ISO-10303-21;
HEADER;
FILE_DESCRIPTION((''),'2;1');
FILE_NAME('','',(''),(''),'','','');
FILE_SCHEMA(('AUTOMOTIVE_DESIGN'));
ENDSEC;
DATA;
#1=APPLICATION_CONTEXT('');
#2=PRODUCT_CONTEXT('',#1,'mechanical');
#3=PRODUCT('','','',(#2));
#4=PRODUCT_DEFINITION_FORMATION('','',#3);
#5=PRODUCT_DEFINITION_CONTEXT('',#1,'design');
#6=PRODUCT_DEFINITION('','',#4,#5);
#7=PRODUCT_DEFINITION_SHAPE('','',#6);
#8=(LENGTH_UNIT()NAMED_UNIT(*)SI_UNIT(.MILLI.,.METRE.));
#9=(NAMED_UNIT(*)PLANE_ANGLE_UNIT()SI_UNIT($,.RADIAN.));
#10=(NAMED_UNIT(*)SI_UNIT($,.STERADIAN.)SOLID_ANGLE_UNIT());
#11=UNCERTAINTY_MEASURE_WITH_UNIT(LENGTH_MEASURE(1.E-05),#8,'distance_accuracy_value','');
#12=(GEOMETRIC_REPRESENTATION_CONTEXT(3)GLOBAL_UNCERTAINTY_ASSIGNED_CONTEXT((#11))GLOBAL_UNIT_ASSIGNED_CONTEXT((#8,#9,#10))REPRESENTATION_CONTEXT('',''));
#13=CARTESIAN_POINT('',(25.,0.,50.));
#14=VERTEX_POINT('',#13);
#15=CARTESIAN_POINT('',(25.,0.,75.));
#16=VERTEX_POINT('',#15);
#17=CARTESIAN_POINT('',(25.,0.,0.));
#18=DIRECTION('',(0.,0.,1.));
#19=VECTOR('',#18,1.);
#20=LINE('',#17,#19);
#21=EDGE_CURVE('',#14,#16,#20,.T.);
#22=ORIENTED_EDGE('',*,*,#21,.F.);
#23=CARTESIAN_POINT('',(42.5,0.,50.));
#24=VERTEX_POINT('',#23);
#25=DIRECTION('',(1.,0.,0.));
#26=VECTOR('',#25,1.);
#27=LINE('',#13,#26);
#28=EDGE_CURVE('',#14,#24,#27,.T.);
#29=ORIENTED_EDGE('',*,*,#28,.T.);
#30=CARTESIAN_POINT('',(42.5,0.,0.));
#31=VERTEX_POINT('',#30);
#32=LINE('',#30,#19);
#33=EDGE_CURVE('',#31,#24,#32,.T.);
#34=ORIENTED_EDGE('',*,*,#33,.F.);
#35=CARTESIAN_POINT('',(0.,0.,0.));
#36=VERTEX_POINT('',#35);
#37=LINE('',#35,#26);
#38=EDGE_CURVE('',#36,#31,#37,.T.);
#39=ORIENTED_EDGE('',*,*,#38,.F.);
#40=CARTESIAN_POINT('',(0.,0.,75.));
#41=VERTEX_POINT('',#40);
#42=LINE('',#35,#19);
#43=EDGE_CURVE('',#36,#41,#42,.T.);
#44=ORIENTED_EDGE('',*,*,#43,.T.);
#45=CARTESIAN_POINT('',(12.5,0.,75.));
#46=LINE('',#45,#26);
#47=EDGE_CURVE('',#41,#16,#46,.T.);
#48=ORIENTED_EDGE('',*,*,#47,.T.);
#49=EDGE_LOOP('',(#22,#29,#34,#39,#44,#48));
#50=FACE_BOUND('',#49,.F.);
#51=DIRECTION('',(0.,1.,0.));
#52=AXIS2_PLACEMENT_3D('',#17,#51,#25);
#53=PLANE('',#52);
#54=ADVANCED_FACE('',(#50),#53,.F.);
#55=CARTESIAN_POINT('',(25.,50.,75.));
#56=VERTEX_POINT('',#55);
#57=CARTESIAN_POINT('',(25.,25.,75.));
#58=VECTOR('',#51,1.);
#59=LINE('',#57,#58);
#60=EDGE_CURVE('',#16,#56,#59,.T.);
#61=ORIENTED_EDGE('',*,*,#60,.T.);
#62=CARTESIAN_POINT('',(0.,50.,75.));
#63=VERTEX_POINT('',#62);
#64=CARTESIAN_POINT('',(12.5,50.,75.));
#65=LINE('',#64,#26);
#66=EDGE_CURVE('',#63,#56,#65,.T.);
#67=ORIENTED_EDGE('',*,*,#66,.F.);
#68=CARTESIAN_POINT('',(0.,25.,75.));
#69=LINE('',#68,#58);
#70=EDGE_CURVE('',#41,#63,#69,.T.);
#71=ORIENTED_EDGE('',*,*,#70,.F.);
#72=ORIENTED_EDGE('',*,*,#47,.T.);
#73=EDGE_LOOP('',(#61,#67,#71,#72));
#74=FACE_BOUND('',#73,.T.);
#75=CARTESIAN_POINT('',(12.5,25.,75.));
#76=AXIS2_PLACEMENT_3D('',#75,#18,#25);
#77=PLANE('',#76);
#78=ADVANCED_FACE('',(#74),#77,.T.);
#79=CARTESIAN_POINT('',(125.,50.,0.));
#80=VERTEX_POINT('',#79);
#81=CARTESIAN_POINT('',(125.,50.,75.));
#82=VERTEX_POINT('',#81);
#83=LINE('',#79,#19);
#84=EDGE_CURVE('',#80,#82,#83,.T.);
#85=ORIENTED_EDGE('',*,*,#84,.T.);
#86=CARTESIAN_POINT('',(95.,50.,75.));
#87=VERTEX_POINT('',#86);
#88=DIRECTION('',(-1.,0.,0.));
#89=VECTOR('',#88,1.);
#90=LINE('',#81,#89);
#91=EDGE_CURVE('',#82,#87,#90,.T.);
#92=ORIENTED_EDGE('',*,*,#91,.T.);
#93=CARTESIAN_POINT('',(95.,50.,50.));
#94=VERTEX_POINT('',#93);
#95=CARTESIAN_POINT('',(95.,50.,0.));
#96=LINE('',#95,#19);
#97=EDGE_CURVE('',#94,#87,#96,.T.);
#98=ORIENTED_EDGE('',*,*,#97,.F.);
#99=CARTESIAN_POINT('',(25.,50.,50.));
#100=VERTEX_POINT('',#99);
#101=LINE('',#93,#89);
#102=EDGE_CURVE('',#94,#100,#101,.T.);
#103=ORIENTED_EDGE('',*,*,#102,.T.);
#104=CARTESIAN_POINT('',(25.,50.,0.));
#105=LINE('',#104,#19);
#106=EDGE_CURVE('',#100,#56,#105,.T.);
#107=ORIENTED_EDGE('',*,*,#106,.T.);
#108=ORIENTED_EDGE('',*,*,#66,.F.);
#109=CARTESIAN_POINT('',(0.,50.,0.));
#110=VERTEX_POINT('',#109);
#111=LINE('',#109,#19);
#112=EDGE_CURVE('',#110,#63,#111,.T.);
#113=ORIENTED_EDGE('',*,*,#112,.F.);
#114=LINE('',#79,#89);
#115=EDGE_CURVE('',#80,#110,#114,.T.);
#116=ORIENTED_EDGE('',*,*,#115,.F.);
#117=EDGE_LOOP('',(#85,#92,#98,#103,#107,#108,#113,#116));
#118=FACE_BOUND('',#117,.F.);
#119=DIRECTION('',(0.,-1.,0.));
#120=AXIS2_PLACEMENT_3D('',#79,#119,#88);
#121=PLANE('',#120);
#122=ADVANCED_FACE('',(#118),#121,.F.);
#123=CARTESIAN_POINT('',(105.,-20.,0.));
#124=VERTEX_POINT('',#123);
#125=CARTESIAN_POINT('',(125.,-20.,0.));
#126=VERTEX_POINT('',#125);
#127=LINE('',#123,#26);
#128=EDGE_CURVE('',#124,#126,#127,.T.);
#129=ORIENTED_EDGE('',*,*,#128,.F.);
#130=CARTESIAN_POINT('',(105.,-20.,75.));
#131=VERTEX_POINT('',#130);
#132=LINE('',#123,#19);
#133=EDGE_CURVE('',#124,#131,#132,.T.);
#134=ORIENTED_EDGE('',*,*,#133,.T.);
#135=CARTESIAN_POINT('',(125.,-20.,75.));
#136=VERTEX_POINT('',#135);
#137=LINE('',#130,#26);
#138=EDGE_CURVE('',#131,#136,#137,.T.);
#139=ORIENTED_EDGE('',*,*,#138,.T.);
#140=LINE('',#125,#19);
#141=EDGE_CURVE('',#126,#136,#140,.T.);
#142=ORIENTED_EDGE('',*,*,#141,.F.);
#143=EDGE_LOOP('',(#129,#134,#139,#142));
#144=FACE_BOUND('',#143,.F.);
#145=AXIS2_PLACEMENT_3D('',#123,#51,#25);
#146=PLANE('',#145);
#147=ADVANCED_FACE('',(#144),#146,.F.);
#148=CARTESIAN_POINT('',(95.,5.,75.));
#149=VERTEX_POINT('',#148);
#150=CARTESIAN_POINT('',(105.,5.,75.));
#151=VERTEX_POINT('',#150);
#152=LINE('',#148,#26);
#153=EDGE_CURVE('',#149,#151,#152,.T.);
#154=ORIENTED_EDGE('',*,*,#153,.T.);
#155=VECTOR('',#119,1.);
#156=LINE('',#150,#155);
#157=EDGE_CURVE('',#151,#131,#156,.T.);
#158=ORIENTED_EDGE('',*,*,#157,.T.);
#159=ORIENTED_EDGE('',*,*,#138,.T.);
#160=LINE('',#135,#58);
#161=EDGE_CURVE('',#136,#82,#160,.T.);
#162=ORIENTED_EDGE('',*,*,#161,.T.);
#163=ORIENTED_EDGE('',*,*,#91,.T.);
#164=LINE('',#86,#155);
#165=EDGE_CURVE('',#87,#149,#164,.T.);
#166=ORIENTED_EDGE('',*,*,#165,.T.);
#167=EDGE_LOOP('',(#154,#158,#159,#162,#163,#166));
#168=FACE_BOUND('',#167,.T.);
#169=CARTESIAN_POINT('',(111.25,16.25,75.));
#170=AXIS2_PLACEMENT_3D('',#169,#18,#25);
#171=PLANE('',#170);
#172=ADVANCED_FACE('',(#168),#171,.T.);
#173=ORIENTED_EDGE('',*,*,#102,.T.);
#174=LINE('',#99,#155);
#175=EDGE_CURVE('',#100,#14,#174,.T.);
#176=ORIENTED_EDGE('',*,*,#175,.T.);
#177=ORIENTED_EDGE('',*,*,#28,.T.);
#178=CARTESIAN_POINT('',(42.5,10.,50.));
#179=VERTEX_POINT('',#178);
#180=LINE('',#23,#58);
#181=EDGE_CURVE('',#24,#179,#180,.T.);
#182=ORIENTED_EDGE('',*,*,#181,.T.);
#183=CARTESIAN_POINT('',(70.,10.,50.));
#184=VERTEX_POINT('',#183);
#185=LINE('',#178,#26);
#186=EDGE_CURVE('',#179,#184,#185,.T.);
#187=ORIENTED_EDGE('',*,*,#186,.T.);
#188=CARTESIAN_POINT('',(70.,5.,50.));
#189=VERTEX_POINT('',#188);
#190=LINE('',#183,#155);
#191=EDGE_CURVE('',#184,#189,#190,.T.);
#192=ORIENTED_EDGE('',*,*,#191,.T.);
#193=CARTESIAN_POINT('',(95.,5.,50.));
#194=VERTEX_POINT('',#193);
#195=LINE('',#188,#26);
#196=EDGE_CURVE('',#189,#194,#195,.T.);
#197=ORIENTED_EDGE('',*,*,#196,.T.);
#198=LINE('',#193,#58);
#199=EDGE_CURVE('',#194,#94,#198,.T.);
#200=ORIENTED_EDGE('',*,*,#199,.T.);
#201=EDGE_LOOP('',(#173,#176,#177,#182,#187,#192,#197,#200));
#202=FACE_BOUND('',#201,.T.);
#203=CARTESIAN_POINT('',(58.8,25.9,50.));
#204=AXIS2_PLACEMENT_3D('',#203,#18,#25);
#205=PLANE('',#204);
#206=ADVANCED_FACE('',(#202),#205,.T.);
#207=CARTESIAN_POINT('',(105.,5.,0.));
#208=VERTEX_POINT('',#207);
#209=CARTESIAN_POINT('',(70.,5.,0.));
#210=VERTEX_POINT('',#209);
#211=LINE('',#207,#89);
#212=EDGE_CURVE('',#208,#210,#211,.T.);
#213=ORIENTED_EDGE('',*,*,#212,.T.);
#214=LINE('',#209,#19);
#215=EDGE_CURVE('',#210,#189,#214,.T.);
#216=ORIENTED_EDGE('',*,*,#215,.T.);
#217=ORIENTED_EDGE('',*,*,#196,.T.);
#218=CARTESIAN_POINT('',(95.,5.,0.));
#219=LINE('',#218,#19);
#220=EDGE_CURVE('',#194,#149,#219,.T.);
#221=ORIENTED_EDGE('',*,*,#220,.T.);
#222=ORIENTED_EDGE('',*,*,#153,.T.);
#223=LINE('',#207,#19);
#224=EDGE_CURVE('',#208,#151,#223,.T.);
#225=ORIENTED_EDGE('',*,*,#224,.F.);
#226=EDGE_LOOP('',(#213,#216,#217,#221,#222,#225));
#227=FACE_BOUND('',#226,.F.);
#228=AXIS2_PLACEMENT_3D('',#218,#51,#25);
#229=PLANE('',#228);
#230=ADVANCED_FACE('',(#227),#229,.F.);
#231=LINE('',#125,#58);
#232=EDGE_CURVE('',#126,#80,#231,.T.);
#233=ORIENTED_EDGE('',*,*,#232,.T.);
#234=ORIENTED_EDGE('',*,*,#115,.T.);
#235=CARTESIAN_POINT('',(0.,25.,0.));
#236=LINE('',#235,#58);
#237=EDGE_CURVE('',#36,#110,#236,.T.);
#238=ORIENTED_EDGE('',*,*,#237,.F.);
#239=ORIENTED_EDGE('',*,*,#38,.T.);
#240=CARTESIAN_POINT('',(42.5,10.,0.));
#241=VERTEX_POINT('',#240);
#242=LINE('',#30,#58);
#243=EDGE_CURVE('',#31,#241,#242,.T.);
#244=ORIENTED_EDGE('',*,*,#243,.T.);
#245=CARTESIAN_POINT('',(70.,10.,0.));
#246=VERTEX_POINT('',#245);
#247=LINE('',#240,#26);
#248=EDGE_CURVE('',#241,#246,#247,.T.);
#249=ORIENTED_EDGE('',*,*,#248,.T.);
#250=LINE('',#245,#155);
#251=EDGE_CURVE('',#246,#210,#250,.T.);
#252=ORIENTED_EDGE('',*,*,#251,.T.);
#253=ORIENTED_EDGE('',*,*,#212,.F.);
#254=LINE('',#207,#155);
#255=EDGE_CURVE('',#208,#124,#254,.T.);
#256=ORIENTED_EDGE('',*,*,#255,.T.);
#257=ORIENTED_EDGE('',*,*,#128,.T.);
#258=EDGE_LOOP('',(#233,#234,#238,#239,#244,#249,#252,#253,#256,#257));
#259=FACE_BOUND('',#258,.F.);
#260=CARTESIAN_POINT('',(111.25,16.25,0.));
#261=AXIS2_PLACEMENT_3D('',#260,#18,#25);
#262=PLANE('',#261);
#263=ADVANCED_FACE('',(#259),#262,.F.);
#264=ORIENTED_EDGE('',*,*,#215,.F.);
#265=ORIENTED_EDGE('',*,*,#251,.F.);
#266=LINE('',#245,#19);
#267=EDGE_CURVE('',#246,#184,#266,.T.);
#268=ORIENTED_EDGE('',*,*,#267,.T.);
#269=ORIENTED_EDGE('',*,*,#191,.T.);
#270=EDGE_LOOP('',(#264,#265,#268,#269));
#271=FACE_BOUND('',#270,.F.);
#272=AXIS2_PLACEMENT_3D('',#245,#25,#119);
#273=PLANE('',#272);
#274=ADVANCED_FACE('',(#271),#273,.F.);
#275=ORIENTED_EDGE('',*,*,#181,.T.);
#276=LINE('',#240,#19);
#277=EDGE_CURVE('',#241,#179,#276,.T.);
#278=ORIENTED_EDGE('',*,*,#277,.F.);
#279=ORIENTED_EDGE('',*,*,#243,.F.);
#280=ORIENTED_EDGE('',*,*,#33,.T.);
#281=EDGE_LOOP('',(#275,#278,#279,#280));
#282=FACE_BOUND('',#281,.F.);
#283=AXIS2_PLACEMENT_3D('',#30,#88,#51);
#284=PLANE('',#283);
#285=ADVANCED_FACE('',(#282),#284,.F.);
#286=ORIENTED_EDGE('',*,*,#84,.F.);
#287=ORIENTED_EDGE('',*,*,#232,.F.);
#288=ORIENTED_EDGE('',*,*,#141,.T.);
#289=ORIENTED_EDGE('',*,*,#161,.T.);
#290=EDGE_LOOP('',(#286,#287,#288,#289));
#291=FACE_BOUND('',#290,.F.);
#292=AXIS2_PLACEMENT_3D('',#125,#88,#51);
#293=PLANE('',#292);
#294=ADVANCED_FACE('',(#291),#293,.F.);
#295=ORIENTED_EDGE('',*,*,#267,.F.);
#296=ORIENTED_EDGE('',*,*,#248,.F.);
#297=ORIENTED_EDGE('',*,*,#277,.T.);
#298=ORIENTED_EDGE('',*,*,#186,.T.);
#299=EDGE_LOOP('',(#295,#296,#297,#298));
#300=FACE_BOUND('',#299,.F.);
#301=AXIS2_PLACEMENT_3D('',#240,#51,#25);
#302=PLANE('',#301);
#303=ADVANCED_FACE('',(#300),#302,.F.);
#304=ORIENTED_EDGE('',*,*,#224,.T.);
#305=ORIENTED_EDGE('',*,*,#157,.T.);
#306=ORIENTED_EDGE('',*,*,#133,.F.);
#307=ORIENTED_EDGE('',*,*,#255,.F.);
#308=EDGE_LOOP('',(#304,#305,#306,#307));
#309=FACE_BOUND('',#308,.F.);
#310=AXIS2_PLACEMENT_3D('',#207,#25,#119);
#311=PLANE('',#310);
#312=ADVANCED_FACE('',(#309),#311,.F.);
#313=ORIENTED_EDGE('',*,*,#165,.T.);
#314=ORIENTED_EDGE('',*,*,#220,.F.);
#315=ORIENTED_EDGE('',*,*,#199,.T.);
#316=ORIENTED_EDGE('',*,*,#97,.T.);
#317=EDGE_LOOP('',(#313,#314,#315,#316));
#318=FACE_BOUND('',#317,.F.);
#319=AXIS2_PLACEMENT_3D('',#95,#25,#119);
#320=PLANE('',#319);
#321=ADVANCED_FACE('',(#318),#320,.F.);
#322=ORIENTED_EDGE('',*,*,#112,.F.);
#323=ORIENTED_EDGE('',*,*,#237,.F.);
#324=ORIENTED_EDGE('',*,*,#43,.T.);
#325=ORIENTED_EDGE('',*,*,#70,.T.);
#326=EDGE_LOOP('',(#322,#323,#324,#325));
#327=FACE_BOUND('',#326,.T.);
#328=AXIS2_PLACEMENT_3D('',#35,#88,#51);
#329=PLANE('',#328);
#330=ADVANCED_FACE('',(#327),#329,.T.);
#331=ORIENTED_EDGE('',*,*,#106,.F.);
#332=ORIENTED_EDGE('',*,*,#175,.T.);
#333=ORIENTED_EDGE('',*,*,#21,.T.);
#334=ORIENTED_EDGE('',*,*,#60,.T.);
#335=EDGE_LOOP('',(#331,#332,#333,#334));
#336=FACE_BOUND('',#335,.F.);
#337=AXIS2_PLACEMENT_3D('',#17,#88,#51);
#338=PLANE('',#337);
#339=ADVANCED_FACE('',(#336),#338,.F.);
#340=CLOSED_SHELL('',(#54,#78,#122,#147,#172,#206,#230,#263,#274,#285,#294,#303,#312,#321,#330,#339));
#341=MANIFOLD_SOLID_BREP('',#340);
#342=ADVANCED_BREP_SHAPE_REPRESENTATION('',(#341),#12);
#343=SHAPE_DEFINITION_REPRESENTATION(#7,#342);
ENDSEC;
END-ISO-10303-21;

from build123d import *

# Parameters (mm, degrees)
F0_W     = 25
F0_H     = 50
F1_DEPTH = 75
F2_DEPTH = 50
F3_DEPTH = 75


with BuildPart() as f1:
    # F0 (on Top) → F1 (new body)
    with BuildSketch(Plane.XY):
        with Locations((12.5, 25)):
            Rectangle(F0_W, F0_H)
    extrude(amount=F1_DEPTH)

    # F0 (on Top) → F2 (join)
    with BuildSketch(Plane.XY):
        Polygon((25, 50), (25, 0), (42.5, 0), (42.5, 10), (70, 10), (70, 5), (95, 5), (95, 50), (70, 50), (42.5, 50), align=None)
    extrude(amount=F2_DEPTH)

    # F0 (on Top) → F3 (join)
    with BuildSketch(Plane.XY):
        Polygon((125, 50), (95, 50), (95, 5), (105, 5), (105, -20), (125, -20), (125, 5), align=None)
    extrude(amount=F3_DEPTH)


solid = f1.part
